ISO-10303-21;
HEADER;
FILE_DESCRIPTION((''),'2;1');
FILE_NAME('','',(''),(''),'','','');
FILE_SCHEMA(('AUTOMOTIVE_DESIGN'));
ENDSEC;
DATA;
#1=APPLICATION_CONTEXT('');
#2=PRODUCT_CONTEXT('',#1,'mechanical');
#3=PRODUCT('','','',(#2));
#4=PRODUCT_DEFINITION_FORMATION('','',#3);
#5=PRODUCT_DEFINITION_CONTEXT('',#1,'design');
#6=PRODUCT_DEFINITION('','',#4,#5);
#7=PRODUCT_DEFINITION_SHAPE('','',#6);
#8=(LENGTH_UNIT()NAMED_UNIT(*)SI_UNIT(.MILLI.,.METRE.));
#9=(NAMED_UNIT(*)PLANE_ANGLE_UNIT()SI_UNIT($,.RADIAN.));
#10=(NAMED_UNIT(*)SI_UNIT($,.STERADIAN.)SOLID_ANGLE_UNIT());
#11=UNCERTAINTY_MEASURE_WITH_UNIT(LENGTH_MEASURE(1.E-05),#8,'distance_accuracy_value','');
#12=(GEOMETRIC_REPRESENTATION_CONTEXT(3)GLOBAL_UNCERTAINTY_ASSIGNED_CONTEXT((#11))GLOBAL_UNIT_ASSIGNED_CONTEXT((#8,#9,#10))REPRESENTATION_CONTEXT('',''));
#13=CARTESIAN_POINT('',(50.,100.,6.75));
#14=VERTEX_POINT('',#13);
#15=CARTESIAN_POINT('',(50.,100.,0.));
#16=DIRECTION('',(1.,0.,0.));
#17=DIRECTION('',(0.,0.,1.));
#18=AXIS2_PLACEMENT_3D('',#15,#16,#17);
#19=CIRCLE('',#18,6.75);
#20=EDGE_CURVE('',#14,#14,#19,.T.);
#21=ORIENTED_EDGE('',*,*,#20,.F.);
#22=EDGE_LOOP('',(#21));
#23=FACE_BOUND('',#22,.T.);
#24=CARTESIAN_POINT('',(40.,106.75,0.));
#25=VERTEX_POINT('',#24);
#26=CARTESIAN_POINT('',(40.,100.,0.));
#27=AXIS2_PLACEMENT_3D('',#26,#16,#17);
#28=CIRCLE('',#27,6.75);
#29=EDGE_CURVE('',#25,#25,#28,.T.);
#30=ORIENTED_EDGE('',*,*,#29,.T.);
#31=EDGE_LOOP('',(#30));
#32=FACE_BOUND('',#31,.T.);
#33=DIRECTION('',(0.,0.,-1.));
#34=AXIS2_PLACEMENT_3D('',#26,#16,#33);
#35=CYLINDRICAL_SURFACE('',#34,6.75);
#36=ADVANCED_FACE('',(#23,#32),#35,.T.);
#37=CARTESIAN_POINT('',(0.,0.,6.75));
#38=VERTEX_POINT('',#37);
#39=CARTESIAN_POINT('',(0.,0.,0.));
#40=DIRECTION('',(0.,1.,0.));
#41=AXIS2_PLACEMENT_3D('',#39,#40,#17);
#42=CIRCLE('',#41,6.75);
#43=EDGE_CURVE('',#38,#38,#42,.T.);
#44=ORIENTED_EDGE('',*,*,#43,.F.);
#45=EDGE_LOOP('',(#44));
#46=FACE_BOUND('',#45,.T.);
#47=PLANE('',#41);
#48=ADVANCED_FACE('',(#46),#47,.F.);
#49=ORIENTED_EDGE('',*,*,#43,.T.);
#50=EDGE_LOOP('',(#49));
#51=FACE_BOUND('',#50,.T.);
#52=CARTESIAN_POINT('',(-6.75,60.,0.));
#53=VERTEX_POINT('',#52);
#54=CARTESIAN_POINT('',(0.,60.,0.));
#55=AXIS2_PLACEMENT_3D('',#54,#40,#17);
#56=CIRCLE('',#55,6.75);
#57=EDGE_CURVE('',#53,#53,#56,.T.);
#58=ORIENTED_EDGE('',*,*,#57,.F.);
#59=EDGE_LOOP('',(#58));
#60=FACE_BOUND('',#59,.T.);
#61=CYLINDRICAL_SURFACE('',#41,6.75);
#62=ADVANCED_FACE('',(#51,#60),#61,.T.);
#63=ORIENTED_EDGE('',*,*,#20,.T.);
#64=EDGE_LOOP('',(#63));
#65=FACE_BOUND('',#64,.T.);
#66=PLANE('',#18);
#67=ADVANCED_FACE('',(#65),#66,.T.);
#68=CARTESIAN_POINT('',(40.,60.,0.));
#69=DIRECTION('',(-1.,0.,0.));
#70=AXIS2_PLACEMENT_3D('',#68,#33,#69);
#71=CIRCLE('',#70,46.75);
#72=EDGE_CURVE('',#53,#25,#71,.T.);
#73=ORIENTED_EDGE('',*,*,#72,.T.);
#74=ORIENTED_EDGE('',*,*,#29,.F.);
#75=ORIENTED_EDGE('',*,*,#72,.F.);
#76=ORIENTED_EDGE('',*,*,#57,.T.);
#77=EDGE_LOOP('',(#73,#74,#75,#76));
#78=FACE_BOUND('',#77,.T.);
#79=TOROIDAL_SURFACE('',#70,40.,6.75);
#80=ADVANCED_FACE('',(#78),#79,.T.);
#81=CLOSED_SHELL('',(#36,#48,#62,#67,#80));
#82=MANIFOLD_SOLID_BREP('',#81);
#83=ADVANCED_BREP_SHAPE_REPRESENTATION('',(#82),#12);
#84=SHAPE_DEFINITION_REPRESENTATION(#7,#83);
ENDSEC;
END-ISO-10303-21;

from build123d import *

# Parameters (mm, degrees)
SKETCH2_R = 6.75


with BuildPart() as part:
    # Sweep1: sweep along a path in Sketch1
    with BuildLine(Plane.XY) as sweep1_path:
        Line((0, 0), (0, 60))
        ThreePointArc((0, 60), (11.715728753, 88.284271247), (40, 100))
        Line((40, 100), (50, 100))
    # Sketch2 → Sweep1 (sweep)
    with BuildSketch(Plane(origin=(0, 0, 0), x_dir=(1, 0, 0), z_dir=(0, 1, 0))):
        Circle(SKETCH2_R)
    sweep(path=sweep1_path.line)


solid = part.part
